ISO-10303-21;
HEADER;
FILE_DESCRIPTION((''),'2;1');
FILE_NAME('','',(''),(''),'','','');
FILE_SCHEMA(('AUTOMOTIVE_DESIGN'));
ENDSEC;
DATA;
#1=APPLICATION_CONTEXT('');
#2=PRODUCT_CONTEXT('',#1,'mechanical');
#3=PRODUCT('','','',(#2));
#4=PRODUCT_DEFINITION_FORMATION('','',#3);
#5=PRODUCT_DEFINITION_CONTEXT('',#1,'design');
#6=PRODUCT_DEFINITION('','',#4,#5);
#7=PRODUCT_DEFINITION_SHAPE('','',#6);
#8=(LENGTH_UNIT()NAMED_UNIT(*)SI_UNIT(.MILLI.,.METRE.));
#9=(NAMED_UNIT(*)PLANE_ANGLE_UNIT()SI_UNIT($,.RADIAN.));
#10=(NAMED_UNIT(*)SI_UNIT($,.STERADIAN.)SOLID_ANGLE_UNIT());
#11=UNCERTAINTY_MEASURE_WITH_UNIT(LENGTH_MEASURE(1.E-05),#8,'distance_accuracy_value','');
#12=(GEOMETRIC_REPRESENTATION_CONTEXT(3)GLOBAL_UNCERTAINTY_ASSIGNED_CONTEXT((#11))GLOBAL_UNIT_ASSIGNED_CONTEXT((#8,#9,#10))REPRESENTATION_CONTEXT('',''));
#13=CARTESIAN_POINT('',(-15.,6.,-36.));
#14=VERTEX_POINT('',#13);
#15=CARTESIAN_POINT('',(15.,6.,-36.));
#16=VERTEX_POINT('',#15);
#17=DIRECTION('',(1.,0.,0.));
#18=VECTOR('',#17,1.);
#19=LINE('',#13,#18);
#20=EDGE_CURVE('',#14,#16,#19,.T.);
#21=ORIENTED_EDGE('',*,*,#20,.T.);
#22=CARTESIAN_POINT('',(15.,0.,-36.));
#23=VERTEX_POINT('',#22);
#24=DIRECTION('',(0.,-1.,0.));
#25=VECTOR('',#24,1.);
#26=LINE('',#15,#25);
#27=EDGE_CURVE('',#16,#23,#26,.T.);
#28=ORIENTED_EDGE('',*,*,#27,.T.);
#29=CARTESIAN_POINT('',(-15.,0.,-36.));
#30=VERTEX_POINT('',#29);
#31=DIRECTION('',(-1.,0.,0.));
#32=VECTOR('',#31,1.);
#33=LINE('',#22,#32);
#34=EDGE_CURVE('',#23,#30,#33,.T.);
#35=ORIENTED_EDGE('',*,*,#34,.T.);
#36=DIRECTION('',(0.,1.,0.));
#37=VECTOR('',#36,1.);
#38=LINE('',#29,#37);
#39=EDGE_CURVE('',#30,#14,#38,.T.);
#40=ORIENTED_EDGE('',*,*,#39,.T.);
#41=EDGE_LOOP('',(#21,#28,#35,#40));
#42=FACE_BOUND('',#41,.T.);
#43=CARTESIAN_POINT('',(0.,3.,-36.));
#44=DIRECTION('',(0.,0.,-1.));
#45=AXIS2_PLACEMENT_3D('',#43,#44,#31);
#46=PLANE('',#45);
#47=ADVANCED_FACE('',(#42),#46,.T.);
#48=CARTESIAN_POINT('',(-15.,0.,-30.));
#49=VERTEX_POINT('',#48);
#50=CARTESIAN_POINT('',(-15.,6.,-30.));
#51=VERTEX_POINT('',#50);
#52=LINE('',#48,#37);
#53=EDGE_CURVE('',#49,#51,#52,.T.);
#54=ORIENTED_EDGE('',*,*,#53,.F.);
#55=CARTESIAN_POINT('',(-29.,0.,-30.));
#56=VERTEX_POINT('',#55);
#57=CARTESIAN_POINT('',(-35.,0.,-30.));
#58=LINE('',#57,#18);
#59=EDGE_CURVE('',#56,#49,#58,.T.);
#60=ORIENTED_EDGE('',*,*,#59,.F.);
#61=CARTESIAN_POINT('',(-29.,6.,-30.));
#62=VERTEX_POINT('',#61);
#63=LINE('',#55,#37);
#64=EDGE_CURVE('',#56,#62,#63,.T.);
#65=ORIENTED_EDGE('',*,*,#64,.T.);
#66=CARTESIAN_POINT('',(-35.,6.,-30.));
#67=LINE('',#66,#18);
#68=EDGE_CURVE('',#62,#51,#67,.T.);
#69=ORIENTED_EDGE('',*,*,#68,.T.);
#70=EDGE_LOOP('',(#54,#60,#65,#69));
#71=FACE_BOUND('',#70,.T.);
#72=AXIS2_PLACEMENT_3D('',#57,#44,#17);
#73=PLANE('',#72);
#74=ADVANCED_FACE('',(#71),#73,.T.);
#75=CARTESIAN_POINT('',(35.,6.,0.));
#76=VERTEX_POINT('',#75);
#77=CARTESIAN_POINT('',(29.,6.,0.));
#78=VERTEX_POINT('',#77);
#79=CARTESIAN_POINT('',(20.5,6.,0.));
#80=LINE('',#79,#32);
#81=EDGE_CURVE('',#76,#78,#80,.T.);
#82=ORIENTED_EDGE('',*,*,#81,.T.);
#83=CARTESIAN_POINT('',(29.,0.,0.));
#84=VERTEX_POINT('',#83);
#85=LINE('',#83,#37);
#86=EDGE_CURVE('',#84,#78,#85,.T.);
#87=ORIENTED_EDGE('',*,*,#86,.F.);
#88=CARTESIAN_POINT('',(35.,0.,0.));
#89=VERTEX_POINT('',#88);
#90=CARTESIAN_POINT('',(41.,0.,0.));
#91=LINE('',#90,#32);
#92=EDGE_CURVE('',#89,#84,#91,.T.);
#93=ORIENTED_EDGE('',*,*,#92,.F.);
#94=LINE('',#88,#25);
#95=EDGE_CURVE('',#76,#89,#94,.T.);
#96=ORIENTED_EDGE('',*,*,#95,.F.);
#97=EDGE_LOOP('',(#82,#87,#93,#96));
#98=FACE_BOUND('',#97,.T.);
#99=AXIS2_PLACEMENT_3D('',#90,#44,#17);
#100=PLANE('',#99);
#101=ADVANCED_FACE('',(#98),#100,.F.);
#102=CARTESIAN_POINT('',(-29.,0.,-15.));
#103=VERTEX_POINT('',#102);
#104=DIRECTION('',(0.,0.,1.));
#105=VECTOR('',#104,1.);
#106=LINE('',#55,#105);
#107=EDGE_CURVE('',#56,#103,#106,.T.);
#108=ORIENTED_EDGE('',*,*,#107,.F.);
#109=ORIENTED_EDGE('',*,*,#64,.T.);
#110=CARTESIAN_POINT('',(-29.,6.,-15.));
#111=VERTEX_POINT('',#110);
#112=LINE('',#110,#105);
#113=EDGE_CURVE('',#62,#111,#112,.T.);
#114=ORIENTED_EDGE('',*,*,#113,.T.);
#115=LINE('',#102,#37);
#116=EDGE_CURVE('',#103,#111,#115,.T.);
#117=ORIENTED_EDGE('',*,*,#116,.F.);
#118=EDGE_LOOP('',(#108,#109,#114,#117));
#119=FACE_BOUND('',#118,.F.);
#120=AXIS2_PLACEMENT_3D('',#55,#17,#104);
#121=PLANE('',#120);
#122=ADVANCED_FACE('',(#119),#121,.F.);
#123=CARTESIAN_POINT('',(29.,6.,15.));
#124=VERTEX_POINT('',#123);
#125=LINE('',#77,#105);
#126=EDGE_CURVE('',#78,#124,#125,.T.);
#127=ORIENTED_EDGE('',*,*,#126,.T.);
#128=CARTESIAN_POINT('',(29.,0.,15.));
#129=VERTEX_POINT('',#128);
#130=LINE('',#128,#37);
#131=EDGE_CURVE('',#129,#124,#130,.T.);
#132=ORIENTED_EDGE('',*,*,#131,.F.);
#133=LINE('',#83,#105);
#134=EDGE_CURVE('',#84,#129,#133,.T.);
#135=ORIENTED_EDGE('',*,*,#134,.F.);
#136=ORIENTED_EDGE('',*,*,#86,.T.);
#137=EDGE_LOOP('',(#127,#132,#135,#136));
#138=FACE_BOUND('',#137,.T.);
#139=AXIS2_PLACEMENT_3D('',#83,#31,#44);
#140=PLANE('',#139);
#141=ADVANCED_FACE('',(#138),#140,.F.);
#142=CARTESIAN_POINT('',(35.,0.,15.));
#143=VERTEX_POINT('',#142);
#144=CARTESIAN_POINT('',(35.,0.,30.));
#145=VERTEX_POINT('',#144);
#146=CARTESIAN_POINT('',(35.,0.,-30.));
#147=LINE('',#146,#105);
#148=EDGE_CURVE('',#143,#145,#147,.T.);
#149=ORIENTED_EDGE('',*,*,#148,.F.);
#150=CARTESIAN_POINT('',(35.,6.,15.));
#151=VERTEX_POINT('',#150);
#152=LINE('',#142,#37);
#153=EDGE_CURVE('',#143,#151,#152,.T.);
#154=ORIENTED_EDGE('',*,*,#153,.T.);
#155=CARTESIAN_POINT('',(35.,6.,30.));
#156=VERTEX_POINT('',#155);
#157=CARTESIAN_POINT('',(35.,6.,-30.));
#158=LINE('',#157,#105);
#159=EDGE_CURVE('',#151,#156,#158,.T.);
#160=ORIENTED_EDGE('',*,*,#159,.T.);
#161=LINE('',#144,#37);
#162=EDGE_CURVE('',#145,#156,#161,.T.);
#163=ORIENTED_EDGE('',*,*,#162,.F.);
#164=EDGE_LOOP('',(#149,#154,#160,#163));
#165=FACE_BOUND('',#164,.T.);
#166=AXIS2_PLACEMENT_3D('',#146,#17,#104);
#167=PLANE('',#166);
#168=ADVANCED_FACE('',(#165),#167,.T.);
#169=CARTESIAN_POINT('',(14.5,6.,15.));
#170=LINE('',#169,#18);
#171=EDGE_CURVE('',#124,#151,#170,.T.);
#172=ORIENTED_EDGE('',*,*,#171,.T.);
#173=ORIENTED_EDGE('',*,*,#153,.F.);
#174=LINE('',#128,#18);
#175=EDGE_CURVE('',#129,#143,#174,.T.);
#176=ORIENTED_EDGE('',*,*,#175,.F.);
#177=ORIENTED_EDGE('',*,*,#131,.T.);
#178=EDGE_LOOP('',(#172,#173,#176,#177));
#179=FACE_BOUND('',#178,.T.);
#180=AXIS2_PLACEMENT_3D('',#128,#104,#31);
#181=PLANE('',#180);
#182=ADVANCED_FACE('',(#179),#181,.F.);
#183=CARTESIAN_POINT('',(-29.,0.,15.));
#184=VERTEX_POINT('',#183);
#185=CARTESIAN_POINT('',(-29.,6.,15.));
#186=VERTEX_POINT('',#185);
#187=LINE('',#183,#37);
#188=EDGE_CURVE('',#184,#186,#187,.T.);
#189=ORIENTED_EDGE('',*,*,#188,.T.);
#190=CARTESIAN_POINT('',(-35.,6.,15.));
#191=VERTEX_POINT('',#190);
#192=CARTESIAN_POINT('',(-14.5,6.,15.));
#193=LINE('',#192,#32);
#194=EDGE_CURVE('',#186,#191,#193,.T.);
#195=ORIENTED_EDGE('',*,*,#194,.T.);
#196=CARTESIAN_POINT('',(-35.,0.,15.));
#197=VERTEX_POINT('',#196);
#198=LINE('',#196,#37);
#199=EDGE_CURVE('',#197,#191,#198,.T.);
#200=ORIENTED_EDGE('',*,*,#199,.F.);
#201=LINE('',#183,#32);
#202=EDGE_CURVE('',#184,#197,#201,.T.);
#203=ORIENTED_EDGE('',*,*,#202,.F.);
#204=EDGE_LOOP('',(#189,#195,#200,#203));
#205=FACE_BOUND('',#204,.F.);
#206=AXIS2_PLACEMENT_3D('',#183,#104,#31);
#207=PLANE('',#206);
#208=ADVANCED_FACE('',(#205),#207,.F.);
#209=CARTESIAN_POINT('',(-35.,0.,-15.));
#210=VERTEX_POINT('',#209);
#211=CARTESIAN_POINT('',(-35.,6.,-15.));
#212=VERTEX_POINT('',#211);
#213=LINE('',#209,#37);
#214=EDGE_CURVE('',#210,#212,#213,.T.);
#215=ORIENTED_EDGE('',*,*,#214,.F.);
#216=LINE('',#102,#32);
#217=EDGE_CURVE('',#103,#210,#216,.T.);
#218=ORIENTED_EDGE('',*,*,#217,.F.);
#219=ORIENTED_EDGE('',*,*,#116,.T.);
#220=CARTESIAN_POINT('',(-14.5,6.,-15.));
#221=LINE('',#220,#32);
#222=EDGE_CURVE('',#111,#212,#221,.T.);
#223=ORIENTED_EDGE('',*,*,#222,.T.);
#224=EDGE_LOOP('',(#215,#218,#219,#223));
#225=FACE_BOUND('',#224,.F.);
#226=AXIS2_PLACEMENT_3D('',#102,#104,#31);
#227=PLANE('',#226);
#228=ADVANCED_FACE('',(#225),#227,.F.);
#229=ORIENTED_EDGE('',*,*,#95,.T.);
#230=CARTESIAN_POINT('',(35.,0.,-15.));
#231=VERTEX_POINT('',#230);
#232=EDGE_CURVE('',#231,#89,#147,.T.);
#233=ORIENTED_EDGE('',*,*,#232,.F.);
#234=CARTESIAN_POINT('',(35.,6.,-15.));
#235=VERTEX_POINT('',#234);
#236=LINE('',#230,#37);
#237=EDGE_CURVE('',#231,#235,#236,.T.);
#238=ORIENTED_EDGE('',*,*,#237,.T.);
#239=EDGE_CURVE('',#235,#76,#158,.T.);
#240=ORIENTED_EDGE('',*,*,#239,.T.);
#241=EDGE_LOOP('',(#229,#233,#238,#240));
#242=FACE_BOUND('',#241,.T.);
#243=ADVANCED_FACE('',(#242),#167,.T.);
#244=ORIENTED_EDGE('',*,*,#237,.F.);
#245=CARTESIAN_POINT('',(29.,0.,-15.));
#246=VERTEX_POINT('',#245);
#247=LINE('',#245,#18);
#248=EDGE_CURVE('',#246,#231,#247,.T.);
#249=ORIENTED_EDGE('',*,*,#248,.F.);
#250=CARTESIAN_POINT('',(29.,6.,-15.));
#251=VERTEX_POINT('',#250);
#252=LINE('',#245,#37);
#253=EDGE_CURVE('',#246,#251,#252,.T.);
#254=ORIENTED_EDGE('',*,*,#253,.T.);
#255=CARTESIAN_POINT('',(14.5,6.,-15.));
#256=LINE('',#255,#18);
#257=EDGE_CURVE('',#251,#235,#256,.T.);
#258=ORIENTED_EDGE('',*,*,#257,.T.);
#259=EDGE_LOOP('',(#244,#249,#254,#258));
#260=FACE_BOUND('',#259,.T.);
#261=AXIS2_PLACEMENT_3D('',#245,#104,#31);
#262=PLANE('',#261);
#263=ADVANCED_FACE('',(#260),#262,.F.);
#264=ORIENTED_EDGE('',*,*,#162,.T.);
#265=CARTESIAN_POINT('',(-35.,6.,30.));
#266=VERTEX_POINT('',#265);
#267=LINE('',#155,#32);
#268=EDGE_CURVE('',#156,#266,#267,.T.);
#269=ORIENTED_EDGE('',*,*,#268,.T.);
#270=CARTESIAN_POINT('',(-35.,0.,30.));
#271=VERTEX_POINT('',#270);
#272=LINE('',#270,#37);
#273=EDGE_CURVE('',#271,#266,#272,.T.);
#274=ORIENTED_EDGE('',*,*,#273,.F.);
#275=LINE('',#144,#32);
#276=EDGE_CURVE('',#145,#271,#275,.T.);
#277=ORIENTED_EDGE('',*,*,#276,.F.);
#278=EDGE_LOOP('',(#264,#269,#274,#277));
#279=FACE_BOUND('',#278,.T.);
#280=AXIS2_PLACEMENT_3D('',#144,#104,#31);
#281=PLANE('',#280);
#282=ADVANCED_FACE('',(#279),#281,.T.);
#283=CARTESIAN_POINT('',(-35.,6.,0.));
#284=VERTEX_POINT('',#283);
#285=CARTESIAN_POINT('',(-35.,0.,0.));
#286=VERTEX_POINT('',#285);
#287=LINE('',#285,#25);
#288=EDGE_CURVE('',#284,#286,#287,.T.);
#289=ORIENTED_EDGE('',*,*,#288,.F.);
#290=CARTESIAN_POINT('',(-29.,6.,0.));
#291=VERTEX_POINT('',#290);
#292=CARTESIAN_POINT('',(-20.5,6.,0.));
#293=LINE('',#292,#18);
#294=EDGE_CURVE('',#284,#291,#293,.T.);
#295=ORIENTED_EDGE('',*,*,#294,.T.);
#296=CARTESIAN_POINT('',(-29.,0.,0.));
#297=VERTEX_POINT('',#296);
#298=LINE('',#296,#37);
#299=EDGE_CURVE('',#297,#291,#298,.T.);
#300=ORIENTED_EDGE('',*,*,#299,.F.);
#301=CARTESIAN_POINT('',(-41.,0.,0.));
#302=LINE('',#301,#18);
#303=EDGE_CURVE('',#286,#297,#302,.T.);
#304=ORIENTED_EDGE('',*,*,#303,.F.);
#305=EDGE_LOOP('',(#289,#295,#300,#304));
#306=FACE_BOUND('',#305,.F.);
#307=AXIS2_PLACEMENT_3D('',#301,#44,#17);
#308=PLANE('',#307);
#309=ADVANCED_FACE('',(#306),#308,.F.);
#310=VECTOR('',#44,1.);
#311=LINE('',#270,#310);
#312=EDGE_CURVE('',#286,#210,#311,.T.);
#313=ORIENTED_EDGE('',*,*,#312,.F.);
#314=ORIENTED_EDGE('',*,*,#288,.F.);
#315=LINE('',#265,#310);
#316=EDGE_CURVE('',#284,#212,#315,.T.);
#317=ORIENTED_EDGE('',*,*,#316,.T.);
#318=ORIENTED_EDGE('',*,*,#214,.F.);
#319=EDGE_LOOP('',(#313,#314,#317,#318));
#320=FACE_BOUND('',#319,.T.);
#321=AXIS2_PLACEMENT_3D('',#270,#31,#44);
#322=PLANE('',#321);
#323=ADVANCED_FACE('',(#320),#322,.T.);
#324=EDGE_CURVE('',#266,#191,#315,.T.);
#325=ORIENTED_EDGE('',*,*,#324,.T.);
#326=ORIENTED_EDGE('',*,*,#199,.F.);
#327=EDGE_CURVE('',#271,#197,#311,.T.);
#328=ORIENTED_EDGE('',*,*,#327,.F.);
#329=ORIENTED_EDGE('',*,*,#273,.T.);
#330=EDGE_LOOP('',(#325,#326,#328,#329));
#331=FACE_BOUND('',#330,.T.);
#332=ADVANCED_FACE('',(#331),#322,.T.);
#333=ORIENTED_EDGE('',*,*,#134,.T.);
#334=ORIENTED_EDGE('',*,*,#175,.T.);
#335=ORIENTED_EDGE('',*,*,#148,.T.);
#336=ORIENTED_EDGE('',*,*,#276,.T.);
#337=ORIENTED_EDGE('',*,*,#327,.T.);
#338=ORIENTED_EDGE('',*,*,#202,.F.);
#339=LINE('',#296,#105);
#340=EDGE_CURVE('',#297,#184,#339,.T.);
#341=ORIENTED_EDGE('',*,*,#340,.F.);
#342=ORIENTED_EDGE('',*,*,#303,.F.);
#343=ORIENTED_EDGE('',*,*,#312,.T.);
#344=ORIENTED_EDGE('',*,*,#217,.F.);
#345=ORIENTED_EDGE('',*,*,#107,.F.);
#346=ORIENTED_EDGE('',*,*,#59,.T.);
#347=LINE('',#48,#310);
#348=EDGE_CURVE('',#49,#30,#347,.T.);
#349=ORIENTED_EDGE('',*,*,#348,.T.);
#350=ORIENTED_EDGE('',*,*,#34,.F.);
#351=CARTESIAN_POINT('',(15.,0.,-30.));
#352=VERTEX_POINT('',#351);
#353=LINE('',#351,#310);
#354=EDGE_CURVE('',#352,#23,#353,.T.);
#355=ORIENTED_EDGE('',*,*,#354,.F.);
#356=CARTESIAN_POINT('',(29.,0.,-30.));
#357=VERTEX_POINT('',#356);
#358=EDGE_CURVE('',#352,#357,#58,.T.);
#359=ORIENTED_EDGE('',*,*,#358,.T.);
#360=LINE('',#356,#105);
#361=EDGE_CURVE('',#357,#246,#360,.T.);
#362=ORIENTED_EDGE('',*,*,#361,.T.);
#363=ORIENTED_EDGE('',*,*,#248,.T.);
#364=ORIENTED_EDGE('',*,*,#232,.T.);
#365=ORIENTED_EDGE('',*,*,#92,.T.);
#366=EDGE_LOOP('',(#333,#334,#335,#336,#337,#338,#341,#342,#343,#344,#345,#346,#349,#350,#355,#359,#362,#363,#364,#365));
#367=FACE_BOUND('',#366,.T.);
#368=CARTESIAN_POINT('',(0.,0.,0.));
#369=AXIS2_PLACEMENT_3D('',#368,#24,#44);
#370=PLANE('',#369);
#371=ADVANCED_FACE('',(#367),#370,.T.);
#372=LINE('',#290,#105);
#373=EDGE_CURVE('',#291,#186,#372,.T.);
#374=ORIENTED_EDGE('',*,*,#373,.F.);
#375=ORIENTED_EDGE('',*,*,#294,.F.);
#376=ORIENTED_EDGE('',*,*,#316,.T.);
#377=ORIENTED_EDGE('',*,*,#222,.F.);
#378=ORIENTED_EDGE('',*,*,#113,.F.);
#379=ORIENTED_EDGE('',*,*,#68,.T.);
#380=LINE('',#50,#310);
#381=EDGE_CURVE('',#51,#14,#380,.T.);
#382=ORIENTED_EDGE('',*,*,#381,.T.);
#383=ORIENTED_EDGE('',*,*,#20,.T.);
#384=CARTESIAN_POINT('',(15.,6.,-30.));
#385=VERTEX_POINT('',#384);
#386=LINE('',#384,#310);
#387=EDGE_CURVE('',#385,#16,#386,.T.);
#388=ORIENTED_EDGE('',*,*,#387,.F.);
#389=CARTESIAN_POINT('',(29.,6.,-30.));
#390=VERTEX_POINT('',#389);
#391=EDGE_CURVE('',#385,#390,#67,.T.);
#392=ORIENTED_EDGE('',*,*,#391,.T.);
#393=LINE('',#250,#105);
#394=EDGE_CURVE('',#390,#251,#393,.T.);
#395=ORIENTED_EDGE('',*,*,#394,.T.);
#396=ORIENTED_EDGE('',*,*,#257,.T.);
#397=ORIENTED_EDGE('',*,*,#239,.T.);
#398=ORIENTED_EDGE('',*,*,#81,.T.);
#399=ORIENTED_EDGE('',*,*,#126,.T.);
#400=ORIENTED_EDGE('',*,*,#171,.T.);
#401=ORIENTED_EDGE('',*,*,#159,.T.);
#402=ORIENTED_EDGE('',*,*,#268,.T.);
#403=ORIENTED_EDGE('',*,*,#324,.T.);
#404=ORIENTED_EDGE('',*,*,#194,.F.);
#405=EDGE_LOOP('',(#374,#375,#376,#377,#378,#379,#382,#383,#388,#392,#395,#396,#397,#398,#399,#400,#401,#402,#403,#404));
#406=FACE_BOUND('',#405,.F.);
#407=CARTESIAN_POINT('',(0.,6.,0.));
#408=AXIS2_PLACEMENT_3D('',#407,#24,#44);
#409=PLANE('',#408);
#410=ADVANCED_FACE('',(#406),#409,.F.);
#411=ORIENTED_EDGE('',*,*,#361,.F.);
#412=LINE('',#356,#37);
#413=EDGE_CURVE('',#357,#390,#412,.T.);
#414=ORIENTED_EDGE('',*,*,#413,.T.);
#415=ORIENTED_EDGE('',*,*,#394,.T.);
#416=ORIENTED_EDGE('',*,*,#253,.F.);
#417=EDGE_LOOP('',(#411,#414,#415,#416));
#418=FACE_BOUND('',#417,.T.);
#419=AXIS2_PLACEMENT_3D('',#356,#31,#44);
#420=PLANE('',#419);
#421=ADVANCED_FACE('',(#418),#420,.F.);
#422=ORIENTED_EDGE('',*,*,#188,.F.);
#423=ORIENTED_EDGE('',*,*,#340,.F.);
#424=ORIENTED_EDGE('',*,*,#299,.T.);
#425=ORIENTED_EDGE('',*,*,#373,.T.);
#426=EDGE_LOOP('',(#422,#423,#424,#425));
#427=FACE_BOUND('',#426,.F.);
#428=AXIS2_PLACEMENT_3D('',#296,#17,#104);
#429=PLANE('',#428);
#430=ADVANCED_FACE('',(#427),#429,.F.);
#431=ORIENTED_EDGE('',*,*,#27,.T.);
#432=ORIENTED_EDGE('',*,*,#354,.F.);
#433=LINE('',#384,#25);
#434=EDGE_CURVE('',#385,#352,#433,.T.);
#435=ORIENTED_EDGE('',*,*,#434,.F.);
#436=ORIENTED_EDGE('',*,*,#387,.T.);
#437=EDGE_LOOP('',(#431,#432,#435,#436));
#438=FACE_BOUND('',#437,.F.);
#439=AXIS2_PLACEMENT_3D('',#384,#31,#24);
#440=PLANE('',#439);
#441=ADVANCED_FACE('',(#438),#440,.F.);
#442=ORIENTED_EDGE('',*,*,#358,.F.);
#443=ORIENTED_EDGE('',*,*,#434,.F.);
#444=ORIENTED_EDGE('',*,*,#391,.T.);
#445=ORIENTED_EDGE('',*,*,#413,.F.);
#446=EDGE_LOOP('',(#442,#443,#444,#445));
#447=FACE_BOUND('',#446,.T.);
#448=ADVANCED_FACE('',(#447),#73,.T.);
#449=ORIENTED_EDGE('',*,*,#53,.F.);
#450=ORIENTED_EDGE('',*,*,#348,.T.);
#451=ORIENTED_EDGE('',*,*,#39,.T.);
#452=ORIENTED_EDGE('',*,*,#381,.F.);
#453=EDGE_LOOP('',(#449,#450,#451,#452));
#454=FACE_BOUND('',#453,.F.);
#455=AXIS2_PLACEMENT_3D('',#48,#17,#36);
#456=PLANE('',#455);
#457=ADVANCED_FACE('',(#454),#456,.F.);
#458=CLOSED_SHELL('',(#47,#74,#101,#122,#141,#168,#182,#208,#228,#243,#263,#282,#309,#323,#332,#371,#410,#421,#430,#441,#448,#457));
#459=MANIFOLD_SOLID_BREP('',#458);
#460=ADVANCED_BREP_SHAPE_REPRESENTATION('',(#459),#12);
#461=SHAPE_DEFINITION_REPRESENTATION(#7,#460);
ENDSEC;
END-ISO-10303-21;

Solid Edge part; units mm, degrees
sketch "Sketch1" plane through (0, 0, 0) normal (0, -1, 0) x (1, 0, 0)
  line L0 (-35, -30) -> (35, -30)
  line L1 (35, -30) -> (35, 30)
  line L2 (35, 30) -> (-35, 30)
  line L3 (-35, 30) -> (-35, -30)
  dimension "D1" = 70
  dimension "D2" = 60
extrude "Protrusion1" add sketch "Sketch1" against normal blind 6
sketch "Sketch2" plane through (0, 3, -30) normal (0, 0, -1) x (1, 0, 0)
  line L0 (-15, -3) -> (15, -3)
  line L1 (15, -3) -> (15, 3)
  line L2 (15, 3) -> (-15, 3)
  line L3 (-15, 3) -> (-15, -3)
  dimension "D1" = 30
  dimension "D2" = 6
extrude "ExtrudedProtrusion_2" add sketch "Sketch2" along normal blind 6
sketch "Sketch3" plane through (0, 0, -3) normal (0, -1, 0) x (1, 0, 0)
  line L0 (-41, -27) -> (-29, -27)
  line L1 (-29, -27) -> (-29, -12)
  line L2 (-29, -12) -> (-41, -12)
  line L3 (-41, -12) -> (-41, -27)
  dimension "D1" = 15
  dimension "D2" = 12
extrude "Cutout1" cut sketch "Sketch3" against normal through all
sketch "Sketch4" plane through (0, 0, -3) normal (0, -1, 0) x (1, 0, 0)
  line L0 (-41, 3) -> (-29, 3)
  line L1 (-29, 3) -> (-29, 18)
  line L2 (-29, 18) -> (-41, 18)
  line L3 (-41, 18) -> (-41, 3)
  dimension "D1" = 12
  dimension "D2" = 15
  dimension "D3" = 15
extrude "Cutout2" cut sketch "Sketch4" against normal through all
mirror "Mirror1" about plane through (0, 0, 0) normal (1, 0, 0) of "Cutout1", "Cutout2"
properties material "Wood, Mahogany"
